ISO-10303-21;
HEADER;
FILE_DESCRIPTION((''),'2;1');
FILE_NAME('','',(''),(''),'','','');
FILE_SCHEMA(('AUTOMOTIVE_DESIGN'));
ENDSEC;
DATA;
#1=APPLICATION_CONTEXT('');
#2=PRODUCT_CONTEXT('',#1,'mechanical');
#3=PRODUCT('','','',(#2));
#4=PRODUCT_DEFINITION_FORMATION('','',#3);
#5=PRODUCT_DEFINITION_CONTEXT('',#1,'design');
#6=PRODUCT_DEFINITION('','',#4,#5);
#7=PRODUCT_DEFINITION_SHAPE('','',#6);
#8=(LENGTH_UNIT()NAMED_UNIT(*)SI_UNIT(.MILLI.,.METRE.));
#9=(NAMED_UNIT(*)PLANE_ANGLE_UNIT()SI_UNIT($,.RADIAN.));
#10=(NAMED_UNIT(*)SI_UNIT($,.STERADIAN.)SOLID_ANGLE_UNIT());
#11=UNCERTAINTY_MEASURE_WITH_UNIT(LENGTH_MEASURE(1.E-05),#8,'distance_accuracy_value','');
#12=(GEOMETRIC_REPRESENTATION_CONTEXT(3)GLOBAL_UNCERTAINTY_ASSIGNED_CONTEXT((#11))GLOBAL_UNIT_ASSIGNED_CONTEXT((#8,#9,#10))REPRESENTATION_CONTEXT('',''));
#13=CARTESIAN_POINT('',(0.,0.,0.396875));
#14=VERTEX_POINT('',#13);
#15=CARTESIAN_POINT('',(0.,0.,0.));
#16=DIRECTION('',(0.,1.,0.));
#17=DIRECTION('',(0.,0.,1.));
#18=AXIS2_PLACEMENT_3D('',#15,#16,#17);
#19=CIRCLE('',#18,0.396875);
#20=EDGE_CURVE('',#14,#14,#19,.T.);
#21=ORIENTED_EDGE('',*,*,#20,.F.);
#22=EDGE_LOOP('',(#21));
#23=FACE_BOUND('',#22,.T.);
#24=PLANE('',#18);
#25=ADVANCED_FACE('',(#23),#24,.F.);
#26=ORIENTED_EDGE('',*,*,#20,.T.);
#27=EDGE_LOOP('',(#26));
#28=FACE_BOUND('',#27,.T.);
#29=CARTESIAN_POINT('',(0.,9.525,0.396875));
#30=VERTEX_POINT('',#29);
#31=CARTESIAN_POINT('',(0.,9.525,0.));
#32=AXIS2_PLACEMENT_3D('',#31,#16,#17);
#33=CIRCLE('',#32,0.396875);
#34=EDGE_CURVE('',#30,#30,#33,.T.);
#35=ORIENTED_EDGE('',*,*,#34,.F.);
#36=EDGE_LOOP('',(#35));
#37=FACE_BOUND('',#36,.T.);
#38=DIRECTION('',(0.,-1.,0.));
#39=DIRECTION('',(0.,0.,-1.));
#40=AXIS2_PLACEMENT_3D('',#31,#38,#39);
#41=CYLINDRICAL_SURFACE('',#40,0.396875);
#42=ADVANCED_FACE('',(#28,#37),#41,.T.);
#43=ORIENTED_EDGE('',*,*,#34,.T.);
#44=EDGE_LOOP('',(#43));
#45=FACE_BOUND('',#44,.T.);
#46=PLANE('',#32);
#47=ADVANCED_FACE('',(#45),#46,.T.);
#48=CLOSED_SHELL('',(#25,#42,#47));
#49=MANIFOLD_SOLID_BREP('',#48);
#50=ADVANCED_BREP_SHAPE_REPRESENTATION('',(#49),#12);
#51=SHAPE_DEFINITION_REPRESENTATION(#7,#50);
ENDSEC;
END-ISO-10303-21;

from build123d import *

# Parameters (mm, degrees)
SKETCH1_R           = 0.396875
BOSS_EXTRUDE1_DEPTH = 9.525


with BuildPart() as part:
    # Sketch1 → Boss-Extrude1 (new body)
    with BuildSketch(Plane(origin=(0, 0, 0), x_dir=(1, 0, 0), z_dir=(0, 1, 0))):
        Circle(SKETCH1_R)
    extrude(amount=BOSS_EXTRUDE1_DEPTH)


solid = part.part
